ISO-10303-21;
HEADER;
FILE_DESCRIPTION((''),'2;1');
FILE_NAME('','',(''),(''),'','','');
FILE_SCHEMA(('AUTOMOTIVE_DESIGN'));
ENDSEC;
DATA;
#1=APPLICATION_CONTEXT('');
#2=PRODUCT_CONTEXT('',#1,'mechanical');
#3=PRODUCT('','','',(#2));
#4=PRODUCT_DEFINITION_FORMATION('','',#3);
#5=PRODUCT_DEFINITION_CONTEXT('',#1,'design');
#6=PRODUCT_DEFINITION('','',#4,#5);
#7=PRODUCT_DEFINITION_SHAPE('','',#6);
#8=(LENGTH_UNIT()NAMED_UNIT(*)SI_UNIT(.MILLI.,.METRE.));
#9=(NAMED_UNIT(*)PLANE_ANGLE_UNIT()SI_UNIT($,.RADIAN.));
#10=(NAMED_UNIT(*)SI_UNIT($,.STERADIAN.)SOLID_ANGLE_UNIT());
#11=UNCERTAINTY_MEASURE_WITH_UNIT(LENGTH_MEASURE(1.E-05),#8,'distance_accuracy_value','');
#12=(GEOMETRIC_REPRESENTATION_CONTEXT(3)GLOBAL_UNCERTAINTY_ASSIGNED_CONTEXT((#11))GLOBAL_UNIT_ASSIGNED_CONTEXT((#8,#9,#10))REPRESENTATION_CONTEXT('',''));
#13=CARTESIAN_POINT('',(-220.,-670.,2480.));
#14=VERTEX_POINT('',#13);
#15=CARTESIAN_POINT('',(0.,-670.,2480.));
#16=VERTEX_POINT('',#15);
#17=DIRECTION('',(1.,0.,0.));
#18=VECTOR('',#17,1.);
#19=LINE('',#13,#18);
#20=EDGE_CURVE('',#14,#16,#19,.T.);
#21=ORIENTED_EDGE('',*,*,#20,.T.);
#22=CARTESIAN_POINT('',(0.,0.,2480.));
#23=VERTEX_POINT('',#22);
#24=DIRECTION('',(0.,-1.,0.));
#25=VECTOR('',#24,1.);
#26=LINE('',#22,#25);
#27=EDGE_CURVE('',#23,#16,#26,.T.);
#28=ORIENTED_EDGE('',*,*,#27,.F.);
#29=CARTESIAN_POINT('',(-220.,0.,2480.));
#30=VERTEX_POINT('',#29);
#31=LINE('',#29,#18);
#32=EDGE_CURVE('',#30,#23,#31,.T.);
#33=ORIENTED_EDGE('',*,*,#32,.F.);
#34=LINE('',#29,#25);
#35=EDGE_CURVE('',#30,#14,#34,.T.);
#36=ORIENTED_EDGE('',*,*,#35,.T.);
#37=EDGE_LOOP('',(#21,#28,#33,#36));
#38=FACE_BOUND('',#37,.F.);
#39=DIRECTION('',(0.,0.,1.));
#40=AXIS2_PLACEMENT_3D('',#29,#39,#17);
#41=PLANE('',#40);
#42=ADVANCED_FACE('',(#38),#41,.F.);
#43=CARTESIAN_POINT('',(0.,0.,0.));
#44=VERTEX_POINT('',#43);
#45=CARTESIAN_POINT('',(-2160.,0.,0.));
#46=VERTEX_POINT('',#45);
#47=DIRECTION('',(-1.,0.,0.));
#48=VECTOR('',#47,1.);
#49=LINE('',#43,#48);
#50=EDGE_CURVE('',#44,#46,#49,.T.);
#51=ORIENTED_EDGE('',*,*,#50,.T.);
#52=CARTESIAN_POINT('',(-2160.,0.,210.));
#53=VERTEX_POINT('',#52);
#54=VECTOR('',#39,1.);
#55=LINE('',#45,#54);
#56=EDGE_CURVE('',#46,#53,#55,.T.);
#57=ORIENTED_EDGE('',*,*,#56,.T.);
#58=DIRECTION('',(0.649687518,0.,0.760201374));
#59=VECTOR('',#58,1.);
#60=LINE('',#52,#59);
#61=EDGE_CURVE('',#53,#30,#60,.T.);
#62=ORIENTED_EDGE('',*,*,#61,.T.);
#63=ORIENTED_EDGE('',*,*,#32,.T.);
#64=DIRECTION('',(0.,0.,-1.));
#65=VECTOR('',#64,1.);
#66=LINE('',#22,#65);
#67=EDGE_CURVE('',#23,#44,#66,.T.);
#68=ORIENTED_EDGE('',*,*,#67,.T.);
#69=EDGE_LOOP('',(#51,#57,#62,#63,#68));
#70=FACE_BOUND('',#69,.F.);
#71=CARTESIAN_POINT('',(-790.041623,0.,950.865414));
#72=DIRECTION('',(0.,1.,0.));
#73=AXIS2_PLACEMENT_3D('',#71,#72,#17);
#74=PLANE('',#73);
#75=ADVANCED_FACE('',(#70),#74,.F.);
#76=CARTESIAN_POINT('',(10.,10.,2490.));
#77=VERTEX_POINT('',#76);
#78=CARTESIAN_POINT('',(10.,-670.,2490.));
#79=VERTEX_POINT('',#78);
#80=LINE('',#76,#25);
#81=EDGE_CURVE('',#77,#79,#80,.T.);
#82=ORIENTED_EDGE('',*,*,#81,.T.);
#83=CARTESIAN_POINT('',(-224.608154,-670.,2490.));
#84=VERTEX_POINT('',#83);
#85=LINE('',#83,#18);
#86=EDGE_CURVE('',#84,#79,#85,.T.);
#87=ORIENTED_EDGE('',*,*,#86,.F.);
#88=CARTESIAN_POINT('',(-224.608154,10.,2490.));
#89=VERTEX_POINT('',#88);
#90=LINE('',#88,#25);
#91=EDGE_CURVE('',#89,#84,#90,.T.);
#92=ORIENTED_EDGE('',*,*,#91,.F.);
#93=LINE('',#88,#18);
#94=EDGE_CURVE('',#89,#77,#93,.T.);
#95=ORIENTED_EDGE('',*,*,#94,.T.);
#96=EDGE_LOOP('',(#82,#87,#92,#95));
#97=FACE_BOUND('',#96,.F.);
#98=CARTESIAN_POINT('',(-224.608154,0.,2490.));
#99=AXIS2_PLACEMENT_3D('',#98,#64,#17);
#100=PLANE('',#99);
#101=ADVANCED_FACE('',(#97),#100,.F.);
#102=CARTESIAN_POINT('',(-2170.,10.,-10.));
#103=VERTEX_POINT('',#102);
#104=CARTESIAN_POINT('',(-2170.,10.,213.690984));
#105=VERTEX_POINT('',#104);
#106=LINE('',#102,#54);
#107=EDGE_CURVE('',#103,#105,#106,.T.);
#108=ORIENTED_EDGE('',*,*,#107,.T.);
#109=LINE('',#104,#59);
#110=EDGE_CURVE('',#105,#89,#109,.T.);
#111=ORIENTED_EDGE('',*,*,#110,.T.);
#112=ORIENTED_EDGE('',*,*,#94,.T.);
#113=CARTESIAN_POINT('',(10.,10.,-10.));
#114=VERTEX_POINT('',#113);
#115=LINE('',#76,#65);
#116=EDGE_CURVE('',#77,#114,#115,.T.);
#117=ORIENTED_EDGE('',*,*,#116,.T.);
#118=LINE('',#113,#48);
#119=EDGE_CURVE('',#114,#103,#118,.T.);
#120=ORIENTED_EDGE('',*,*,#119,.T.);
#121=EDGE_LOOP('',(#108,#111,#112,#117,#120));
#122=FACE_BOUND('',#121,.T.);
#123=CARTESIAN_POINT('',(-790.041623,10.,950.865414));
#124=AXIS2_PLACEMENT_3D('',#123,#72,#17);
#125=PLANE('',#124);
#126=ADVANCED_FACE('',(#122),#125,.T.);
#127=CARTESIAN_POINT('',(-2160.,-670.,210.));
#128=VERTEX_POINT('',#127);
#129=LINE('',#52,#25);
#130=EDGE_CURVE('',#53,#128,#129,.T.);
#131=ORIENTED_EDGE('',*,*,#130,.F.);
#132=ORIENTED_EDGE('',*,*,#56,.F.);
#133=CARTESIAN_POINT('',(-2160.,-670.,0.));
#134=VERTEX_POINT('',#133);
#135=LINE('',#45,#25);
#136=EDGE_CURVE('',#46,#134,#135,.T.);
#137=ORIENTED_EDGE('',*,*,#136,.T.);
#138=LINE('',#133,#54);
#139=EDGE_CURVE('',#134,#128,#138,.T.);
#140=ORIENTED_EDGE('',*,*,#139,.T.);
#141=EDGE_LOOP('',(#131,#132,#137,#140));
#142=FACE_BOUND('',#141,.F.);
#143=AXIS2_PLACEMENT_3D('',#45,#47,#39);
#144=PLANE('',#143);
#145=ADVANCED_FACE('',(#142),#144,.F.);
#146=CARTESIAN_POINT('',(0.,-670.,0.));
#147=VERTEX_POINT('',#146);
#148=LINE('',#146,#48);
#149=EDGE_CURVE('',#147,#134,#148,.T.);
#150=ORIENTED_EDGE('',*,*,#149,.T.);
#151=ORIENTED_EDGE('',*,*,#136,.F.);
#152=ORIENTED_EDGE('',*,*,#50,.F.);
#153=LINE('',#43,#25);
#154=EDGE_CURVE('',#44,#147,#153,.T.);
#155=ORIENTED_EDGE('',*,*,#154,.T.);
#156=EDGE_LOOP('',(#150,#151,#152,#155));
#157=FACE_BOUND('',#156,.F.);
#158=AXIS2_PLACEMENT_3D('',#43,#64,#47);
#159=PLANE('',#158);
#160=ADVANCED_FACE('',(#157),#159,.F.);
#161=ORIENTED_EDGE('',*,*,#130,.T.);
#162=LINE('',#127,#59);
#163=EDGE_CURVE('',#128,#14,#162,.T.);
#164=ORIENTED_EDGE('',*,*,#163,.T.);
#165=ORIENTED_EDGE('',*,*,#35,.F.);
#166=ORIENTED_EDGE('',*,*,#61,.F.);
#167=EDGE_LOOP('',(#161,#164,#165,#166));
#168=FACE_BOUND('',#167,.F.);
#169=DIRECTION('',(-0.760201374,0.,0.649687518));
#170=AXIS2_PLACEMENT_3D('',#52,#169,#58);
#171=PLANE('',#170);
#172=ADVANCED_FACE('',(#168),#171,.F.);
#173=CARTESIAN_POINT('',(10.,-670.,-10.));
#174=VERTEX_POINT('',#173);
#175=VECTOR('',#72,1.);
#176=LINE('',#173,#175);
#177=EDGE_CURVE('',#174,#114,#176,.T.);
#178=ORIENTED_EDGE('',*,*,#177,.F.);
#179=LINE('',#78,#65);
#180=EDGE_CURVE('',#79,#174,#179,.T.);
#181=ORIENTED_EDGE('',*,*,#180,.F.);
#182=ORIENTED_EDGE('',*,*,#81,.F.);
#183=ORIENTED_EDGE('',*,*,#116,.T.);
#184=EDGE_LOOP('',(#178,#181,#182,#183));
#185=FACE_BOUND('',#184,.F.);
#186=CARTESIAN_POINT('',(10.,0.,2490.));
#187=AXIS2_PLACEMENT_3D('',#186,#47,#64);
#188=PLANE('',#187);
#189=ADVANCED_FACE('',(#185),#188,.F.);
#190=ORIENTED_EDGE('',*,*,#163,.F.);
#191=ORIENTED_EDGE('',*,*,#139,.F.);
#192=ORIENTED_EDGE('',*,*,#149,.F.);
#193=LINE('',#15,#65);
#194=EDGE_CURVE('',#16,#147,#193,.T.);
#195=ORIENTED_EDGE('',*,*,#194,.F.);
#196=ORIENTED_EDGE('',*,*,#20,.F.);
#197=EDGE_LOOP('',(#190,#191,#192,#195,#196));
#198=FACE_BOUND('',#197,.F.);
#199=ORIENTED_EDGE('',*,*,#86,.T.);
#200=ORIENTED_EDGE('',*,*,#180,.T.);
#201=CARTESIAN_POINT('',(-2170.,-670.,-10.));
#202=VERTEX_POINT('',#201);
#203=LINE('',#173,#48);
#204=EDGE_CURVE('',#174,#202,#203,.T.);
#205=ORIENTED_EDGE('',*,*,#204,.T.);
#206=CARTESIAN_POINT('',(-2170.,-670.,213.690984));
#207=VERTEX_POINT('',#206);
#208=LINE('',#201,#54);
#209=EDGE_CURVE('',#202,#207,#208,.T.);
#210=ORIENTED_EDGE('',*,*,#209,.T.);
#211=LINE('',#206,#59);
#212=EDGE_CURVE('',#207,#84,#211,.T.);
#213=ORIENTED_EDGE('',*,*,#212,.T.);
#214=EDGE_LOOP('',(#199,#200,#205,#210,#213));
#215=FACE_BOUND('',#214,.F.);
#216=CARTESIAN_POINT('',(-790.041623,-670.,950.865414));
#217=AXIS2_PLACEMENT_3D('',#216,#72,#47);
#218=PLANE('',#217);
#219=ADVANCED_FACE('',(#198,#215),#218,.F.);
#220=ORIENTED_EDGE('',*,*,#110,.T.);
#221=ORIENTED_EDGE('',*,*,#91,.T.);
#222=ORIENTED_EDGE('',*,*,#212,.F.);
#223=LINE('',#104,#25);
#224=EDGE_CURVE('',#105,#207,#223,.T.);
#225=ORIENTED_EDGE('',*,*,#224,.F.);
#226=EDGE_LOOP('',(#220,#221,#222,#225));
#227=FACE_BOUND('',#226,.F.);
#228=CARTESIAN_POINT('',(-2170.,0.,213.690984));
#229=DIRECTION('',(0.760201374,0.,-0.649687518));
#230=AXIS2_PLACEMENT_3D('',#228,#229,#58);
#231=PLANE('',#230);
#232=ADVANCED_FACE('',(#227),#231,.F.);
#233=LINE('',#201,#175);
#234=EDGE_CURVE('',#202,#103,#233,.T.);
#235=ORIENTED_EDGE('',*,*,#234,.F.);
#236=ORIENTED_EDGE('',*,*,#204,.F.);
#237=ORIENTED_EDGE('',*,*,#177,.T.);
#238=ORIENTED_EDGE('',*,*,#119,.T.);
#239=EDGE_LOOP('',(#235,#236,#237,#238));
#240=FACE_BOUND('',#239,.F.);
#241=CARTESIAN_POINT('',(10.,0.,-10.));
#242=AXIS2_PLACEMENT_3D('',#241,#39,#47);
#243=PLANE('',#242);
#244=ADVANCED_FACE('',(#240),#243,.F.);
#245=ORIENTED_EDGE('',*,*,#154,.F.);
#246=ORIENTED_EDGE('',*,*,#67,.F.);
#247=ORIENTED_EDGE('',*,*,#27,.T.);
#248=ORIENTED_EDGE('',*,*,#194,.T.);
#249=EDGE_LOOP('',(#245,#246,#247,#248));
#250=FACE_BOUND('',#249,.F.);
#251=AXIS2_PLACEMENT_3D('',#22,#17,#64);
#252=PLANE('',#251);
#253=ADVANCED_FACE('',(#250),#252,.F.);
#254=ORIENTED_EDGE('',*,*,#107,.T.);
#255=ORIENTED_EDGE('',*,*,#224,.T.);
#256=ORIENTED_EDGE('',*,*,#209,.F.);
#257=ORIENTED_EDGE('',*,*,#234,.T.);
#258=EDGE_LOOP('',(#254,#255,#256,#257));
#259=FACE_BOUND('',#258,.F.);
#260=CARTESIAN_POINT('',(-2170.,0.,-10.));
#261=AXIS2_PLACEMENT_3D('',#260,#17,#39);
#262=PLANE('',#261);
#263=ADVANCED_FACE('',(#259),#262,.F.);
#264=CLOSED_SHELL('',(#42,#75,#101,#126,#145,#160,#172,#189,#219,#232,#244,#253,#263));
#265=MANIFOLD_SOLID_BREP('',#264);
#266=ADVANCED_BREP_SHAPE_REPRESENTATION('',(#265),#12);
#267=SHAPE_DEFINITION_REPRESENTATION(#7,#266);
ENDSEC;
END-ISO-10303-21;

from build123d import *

# Parameters (mm, degrees)
PAD010_DEPTH = 670
PAD_DEPTH    = 10


with BuildPart() as part:
    # Sketch010 → Pad010 (new body)
    with BuildSketch(Plane.XZ):
        Polygon((-2170, 213.690984), (-224.608154, 2490), (10, 2490), (10, -10), (-2170, -10), align=None)
        Polygon((0, 0), (-2160, 0), (-2160, 210), (-220, 2480), (0, 2480), align=None, mode=Mode.SUBTRACT)
    extrude(amount=PAD010_DEPTH)

    # Sketch (on Face11 of Pad010) → Pad (join)
    with BuildSketch(Plane(origin=(0, 0, 0), x_dir=(1, 0, 0), z_dir=(0, 1, 0))):
        Polygon((10, -2490), (10, 10), (-2170, 10), (-2170, -213.690984), (-224.608154, -2490), align=None)
    extrude(amount=PAD_DEPTH)


solid = part.part
